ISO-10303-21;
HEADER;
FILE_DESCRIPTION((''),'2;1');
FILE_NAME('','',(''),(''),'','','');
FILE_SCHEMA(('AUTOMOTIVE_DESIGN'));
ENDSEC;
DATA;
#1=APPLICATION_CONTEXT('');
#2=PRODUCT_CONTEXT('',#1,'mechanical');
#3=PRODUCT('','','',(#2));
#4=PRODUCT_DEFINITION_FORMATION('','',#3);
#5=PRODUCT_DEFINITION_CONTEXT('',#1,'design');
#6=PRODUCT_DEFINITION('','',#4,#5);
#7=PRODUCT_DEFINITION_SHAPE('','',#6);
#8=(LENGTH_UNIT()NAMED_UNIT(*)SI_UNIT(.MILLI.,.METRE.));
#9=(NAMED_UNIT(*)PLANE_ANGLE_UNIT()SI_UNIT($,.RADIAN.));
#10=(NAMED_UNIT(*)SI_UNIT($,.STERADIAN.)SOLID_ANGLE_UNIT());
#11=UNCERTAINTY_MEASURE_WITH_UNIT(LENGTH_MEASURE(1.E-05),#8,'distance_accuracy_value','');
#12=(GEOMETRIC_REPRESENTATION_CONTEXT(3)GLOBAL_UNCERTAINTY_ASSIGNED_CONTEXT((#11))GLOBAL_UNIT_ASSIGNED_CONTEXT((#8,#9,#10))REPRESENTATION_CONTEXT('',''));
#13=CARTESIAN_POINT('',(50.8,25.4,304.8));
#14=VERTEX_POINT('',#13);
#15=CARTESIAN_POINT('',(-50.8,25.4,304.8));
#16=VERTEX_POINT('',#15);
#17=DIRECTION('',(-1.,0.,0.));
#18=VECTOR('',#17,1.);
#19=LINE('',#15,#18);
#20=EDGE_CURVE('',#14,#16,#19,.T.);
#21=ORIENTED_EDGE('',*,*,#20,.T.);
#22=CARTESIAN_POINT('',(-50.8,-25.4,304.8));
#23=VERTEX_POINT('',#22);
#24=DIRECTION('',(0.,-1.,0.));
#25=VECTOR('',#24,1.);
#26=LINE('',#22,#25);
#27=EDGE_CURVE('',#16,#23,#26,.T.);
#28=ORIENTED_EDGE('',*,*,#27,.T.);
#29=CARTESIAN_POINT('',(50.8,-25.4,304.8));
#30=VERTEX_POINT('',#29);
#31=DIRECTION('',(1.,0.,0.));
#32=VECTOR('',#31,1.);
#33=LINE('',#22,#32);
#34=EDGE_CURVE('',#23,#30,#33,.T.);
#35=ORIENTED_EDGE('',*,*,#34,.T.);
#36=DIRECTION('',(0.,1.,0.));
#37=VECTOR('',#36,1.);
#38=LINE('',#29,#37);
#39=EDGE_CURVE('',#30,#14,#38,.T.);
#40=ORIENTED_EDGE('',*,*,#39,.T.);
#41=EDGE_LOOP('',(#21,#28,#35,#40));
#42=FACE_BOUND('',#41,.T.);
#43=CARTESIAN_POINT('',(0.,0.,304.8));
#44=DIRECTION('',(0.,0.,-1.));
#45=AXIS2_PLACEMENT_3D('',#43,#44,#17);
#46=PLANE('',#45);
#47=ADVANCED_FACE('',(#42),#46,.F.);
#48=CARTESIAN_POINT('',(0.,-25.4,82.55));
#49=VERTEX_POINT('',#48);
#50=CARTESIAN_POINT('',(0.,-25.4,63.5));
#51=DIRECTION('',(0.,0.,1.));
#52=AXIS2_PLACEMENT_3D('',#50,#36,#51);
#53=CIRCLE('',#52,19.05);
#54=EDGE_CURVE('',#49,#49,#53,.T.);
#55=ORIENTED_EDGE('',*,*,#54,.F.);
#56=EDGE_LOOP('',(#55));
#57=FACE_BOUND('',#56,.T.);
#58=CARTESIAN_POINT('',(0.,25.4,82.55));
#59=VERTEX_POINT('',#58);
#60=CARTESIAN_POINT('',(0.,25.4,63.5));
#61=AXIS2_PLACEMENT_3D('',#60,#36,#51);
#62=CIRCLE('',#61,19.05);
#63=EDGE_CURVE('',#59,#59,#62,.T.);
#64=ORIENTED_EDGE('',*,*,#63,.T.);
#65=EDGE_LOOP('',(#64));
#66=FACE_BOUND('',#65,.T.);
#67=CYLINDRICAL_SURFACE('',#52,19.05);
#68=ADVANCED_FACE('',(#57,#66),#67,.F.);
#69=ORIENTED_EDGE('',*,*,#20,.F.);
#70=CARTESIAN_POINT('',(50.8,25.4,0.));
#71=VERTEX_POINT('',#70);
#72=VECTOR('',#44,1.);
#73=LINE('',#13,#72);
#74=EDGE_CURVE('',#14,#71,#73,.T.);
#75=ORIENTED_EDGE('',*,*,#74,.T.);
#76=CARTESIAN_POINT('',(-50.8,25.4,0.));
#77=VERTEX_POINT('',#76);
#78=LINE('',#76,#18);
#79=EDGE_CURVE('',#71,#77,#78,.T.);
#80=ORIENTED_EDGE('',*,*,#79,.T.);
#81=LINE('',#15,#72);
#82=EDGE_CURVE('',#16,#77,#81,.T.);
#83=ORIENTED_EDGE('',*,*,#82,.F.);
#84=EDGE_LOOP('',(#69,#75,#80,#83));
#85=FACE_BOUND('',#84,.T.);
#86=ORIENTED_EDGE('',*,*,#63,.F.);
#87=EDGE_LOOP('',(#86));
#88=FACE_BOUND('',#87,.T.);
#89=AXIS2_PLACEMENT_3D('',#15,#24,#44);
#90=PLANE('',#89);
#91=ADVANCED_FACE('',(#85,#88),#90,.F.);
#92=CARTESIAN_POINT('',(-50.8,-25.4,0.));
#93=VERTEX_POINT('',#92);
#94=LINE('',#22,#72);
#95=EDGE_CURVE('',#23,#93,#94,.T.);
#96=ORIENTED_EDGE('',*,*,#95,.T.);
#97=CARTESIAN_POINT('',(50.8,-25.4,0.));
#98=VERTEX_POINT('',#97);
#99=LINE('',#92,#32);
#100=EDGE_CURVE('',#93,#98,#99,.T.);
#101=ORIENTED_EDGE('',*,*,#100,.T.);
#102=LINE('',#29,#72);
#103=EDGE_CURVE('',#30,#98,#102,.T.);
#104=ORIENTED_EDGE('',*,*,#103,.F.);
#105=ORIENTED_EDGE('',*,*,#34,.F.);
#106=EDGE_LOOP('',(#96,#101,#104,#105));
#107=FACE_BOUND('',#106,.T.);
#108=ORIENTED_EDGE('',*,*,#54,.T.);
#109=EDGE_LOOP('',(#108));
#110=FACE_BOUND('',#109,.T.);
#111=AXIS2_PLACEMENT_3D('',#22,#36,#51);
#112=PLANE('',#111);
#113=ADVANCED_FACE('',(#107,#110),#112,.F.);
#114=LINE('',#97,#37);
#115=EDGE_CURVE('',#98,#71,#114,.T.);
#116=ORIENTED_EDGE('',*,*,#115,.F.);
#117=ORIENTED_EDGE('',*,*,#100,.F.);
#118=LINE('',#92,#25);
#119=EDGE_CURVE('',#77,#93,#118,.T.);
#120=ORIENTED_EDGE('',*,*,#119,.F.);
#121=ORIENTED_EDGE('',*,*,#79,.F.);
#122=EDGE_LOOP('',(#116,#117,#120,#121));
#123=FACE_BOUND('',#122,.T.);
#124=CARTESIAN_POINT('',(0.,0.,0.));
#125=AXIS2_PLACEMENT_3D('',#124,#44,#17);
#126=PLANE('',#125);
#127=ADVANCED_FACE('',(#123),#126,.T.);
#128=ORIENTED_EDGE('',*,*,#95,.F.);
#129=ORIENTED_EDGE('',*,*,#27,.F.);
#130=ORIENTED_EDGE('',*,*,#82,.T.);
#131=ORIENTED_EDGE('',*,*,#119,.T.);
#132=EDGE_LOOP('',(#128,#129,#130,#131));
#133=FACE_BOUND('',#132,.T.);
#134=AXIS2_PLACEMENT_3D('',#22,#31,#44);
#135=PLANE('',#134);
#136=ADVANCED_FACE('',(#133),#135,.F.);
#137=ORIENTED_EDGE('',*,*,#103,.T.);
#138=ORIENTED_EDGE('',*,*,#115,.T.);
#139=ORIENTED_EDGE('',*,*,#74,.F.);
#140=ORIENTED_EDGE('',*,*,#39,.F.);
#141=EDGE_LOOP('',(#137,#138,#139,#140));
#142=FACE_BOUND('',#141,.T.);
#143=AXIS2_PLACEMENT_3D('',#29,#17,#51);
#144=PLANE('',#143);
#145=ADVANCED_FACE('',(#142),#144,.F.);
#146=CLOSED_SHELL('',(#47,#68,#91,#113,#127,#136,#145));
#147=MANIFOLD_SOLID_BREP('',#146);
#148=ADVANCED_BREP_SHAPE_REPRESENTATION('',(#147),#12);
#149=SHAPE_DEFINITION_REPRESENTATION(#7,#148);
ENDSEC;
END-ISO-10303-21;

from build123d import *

# Parameters (mm, degrees)
SKETCH1_W           = 101.6
SKETCH1_H           = 50.8
BOSS_EXTRUDE1_DEPTH = 304.8
SKETCH2_R           = 19.05
CUT_EXTRUDE1_DEPTH  = 314.152231351


with BuildPart() as part:
    # Sketch1 → Boss-Extrude1 (new body)
    with BuildSketch(Plane.XY):
        Rectangle(SKETCH1_W, SKETCH1_H)
    extrude(amount=BOSS_EXTRUDE1_DEPTH)

    # Sketch2 → Cut-Extrude1 (cut, through all)
    with BuildSketch(Plane(origin=(0, 25.4, 0), x_dir=(1, 0, 0), z_dir=(0, 1, 0))):
        with Locations(Location((0, -63.5, 0), (0, 0, 270))):
            Circle(SKETCH2_R)
    extrude(amount=-CUT_EXTRUDE1_DEPTH, mode=Mode.SUBTRACT)


solid = part.part
